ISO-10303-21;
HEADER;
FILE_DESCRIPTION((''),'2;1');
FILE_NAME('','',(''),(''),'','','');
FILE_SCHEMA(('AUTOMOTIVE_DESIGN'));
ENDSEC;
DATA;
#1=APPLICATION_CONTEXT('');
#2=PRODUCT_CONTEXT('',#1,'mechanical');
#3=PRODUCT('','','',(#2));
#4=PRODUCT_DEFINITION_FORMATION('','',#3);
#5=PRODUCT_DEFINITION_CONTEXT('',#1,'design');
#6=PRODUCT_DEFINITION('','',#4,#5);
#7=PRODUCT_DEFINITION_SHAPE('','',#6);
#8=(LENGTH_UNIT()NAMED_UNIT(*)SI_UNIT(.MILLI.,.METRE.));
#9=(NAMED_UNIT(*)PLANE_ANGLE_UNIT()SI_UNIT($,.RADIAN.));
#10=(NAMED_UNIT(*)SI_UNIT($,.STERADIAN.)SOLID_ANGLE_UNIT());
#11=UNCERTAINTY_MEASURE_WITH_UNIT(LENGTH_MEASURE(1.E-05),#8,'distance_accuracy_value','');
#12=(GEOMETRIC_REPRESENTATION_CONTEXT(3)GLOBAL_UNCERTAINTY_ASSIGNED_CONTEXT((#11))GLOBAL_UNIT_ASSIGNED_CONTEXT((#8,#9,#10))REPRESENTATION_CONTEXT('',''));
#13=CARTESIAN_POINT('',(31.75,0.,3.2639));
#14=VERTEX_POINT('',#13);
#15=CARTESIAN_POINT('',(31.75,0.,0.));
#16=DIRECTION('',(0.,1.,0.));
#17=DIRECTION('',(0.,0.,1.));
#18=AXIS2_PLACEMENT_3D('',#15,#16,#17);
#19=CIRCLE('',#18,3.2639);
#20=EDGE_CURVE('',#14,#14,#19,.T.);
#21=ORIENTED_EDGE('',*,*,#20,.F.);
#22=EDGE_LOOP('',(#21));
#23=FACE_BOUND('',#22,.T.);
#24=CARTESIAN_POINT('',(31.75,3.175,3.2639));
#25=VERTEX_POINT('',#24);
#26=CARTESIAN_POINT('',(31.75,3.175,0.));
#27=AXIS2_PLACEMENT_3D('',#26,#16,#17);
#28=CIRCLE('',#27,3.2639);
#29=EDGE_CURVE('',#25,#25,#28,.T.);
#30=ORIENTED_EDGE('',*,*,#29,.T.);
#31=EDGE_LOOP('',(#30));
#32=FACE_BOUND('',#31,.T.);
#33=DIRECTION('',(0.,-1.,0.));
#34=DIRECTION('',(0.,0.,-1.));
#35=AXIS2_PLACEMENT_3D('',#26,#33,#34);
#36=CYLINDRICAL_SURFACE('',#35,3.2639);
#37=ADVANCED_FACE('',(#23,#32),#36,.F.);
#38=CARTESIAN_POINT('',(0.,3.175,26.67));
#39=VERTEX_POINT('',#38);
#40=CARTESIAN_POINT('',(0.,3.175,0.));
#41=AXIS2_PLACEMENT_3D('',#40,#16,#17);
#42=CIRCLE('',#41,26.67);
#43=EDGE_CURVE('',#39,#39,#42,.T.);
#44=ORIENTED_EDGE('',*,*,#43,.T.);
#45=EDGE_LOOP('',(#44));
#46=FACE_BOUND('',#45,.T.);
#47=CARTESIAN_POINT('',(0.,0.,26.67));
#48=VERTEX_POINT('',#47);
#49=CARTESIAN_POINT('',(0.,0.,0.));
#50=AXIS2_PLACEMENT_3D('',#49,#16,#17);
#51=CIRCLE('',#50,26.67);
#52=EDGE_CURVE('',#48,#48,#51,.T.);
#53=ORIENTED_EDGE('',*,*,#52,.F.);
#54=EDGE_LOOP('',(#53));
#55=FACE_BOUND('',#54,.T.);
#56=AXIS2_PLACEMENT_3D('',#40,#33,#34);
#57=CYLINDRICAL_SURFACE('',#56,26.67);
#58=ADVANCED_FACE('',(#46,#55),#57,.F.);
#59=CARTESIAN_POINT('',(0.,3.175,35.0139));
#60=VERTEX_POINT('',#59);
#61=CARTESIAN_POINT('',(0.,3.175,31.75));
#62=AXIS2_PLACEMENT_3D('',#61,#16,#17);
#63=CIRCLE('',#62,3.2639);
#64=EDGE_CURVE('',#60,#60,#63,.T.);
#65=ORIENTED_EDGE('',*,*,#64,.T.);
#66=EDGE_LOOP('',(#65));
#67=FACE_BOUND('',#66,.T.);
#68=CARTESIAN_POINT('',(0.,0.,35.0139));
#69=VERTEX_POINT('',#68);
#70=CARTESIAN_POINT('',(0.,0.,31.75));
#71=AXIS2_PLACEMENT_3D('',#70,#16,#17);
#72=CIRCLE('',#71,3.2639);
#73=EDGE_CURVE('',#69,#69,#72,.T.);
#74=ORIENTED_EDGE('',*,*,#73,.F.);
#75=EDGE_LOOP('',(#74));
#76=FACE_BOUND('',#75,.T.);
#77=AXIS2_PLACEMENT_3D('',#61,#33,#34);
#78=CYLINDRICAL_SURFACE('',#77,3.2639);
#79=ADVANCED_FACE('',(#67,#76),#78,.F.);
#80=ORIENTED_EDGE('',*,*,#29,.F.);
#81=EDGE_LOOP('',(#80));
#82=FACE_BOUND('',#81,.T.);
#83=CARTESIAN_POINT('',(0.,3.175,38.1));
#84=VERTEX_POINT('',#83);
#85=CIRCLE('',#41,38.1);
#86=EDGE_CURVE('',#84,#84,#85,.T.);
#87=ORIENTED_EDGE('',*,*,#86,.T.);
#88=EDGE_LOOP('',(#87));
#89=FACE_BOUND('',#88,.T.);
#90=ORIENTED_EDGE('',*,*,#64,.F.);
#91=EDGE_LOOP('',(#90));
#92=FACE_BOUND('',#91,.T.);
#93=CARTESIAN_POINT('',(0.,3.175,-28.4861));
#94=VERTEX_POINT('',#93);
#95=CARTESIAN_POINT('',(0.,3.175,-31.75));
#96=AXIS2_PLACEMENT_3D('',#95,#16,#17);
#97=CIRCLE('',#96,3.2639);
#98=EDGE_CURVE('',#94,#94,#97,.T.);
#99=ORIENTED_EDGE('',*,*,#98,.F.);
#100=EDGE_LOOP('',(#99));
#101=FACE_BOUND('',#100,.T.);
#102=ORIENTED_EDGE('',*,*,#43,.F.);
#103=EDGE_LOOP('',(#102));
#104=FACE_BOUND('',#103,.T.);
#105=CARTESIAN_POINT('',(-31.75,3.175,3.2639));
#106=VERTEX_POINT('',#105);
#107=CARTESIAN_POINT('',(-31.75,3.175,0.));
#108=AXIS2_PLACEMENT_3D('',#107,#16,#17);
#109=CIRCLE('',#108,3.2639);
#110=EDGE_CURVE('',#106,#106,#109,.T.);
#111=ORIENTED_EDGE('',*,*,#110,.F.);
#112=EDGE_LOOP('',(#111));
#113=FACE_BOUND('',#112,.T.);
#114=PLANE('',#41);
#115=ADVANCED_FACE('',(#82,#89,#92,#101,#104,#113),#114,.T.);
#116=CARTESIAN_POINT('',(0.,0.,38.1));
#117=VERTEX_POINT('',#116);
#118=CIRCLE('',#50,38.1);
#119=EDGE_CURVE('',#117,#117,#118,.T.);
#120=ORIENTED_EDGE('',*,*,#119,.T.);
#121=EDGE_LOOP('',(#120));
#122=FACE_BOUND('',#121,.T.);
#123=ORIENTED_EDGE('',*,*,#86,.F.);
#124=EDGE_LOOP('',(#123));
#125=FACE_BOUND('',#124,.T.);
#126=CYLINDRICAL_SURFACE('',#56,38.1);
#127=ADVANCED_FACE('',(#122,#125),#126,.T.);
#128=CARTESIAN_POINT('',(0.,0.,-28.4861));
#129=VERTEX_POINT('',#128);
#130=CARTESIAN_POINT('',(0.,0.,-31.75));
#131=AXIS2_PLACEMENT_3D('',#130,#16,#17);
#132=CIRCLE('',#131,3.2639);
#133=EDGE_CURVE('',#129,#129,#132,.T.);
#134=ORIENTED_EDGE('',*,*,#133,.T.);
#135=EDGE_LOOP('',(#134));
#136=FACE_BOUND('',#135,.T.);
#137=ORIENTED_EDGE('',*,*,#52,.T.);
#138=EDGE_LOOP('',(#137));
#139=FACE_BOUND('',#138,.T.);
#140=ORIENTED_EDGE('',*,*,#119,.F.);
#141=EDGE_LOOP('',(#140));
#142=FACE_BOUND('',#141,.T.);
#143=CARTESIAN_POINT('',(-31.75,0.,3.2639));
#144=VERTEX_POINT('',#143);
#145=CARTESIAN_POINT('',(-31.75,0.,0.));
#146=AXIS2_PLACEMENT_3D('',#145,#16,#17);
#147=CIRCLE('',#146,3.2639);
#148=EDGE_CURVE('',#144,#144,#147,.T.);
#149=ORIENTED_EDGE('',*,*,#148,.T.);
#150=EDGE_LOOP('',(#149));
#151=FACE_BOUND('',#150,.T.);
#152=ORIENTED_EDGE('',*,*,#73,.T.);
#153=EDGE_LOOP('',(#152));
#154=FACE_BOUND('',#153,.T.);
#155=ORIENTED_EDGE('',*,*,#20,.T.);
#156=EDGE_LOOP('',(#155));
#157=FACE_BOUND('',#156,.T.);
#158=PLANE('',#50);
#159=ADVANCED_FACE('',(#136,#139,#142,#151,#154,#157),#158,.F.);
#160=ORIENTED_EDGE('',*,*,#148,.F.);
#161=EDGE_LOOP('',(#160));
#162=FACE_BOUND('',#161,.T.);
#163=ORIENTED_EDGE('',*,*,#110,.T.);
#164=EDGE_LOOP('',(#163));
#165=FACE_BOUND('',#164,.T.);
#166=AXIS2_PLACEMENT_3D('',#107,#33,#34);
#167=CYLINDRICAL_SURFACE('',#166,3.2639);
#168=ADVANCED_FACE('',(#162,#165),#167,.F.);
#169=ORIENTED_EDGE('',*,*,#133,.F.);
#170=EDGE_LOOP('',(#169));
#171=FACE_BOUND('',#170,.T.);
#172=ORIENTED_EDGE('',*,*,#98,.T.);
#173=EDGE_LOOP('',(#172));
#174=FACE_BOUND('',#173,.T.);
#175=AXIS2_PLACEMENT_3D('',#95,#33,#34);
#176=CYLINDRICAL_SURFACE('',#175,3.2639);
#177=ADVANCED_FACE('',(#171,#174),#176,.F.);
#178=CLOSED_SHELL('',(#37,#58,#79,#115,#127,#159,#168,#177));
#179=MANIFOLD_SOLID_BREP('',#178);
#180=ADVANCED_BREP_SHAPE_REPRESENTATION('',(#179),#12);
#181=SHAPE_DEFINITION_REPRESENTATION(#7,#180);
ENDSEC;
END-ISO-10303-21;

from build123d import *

# Parameters (mm, degrees)
SKETCH1_R           = 38.1
SKETCH1_R_2         = 26.67
SKETCH1_R_3         = 3.2639
BOSS_EXTRUDE1_DEPTH = 3.175


with BuildPart() as part:
    # Sketch1 → Boss-Extrude1 (new body)
    with BuildSketch(Plane(origin=(0, 0, 0), x_dir=(1, 0, 0), z_dir=(0, 1, 0))):
        with Locations(Location((0, 0, 0), (0, 0, 270))):
            Circle(SKETCH1_R)
        with Locations(Location((0, 0, 0), (0, 0, 270))):
            Circle(SKETCH1_R_2, mode=Mode.SUBTRACT)
        with Locations(Location((0, 31.75, 0), (0, 0, 270))):
            Circle(SKETCH1_R_3, mode=Mode.SUBTRACT)
        with Locations(Location((31.75, 0, 0), (0, 0, 270))):
            Circle(SKETCH1_R_3, mode=Mode.SUBTRACT)
        with Locations(Location((0, -31.75, 0), (0, 0, 270))):
            Circle(SKETCH1_R_3, mode=Mode.SUBTRACT)
        with Locations(Location((-31.75, 0, 0), (0, 0, 270))):
            Circle(SKETCH1_R_3, mode=Mode.SUBTRACT)
    extrude(amount=BOSS_EXTRUDE1_DEPTH)


solid = part.part
